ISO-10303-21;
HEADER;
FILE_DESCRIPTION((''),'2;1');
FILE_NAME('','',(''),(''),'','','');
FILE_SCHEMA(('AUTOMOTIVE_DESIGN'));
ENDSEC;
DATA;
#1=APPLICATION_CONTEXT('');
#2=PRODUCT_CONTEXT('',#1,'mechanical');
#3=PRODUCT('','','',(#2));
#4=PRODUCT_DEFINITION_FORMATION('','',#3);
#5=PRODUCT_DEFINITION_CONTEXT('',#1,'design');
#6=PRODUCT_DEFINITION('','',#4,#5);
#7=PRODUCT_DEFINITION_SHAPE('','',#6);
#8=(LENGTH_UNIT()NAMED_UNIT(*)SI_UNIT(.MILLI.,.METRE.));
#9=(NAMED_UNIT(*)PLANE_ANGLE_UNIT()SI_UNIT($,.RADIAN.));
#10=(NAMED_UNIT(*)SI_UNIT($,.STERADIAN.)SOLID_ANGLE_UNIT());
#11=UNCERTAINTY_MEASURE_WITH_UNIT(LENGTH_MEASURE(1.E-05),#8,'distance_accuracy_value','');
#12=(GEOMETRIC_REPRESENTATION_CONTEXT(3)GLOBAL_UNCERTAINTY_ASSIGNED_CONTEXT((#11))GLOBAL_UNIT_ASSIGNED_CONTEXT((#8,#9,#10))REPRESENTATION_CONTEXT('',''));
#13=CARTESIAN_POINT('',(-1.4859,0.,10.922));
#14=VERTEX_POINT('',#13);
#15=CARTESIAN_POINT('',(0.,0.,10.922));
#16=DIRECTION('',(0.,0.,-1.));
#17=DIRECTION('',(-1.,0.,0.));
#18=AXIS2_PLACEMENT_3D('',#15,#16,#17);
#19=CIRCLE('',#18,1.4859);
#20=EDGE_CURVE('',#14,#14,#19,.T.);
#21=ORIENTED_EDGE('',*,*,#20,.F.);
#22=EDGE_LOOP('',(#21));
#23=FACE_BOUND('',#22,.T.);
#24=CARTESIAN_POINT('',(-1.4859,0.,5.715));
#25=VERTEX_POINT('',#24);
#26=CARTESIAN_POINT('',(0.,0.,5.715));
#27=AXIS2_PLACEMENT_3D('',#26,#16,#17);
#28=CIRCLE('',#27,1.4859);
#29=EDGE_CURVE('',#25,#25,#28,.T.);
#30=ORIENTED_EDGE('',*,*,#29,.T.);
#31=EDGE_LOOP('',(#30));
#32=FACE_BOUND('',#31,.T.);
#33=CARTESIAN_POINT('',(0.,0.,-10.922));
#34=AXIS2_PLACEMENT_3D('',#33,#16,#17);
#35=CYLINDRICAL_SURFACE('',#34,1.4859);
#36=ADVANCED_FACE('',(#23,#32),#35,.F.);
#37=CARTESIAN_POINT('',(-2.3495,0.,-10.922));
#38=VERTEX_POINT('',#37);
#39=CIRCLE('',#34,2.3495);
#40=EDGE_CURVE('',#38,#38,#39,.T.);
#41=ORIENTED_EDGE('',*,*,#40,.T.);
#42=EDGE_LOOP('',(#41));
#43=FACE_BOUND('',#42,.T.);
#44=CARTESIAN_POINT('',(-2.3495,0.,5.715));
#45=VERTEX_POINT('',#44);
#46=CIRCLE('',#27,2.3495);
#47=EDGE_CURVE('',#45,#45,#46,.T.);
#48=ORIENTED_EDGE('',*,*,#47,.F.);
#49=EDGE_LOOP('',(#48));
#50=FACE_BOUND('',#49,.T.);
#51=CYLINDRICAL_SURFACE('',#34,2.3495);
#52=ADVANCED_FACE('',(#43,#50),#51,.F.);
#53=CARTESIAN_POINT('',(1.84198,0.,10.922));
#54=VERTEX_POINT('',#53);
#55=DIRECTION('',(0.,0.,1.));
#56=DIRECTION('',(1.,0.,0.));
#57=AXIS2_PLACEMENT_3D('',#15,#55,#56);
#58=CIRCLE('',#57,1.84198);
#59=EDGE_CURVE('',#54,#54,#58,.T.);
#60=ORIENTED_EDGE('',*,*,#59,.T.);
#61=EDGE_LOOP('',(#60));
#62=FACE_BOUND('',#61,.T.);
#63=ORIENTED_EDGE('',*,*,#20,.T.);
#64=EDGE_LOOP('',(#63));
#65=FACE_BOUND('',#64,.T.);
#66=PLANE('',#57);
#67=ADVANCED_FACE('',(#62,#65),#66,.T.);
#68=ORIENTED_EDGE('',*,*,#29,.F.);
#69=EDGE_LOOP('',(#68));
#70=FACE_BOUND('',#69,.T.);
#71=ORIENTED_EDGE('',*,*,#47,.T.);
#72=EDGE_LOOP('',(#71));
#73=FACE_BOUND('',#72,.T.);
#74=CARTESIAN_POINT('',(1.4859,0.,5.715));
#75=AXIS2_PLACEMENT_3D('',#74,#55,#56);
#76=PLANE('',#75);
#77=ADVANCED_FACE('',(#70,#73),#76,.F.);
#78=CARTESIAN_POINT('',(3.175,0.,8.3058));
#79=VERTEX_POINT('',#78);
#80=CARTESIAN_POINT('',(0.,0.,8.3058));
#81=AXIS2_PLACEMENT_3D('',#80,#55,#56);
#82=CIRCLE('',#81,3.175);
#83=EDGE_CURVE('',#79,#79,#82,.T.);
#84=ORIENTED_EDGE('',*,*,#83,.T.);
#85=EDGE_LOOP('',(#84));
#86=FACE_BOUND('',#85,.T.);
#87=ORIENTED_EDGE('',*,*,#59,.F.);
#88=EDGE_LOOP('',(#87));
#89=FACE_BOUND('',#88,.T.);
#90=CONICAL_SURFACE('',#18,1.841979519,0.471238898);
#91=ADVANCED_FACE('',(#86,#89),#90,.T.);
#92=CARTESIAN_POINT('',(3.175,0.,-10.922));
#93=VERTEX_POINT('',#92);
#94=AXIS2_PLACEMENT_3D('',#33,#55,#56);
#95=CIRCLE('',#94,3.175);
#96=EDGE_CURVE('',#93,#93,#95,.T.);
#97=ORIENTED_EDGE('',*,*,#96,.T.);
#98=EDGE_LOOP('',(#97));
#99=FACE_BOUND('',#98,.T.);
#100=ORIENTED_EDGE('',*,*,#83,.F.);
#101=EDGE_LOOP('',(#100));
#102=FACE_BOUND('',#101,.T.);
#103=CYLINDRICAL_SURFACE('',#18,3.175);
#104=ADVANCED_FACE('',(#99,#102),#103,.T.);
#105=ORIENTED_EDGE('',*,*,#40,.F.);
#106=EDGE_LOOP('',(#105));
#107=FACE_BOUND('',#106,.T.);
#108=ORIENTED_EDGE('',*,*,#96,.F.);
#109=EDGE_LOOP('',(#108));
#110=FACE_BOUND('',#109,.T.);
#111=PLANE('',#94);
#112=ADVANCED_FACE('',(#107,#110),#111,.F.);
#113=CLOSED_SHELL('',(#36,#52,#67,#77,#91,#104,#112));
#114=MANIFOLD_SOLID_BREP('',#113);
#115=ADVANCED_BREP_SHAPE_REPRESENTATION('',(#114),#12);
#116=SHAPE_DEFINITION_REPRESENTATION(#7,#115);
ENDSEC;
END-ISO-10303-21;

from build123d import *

# Parameters (mm, degrees)
CROQUIS3_R                                           = 3.175
SALIENTE_EXTRUIR2_DEPTH                              = 10.922
REFRENTADO_PARA_TORNILLO_CON_CABEZA_HUEC_D           = 2.9718
REFRENTADO_PARA_TORNILLO_CON_CABEZA_HUEC_CBORE_D     = 4.699
REFRENTADO_PARA_TORNILLO_CON_CABEZA_HUEC_CBORE_DEPTH = 16.637


with BuildPart() as part:
    # Croquis3 → Saliente-Extruir2 (new, symmetric)
    with BuildSketch(Plane.XY):
        Circle(CROQUIS3_R)
    extrude(amount=SALIENTE_EXTRUIR2_DEPTH, both=True)

    # Refrentado para tornillo con cabeza hueca de 1/41 (through all)
    with Locations(Plane(origin=(0, 0, -10.922), x_dir=(-1, 0, 0), z_dir=(0, 0, -1))):
        with Locations((0, 0)):
            CounterBoreHole(REFRENTADO_PARA_TORNILLO_CON_CABEZA_HUEC_D / 2, REFRENTADO_PARA_TORNILLO_CON_CABEZA_HUEC_CBORE_D / 2, REFRENTADO_PARA_TORNILLO_CON_CABEZA_HUEC_CBORE_DEPTH)

    # Croquis7 → Cortar-Revolución1 (revolve, cut)
    with BuildSketch(Plane(origin=(0, 0, 0), x_dir=(1, 0, 0), z_dir=(0, 1, 0)), mode=Mode.PRIVATE) as cortar_revoluci_n1_sk:
        Polygon((-3.175, -8.3058), (-1.841979519, -10.922), (-3.175, -10.922), align=None)
    revolve(cortar_revoluci_n1_sk.sketch.rotate(Axis((0, 0, 10.922), (0, 0, -1)), 180), axis=Axis((0, 0, 10.922), (0, 0, -1)), mode=Mode.SUBTRACT)


solid = part.part
